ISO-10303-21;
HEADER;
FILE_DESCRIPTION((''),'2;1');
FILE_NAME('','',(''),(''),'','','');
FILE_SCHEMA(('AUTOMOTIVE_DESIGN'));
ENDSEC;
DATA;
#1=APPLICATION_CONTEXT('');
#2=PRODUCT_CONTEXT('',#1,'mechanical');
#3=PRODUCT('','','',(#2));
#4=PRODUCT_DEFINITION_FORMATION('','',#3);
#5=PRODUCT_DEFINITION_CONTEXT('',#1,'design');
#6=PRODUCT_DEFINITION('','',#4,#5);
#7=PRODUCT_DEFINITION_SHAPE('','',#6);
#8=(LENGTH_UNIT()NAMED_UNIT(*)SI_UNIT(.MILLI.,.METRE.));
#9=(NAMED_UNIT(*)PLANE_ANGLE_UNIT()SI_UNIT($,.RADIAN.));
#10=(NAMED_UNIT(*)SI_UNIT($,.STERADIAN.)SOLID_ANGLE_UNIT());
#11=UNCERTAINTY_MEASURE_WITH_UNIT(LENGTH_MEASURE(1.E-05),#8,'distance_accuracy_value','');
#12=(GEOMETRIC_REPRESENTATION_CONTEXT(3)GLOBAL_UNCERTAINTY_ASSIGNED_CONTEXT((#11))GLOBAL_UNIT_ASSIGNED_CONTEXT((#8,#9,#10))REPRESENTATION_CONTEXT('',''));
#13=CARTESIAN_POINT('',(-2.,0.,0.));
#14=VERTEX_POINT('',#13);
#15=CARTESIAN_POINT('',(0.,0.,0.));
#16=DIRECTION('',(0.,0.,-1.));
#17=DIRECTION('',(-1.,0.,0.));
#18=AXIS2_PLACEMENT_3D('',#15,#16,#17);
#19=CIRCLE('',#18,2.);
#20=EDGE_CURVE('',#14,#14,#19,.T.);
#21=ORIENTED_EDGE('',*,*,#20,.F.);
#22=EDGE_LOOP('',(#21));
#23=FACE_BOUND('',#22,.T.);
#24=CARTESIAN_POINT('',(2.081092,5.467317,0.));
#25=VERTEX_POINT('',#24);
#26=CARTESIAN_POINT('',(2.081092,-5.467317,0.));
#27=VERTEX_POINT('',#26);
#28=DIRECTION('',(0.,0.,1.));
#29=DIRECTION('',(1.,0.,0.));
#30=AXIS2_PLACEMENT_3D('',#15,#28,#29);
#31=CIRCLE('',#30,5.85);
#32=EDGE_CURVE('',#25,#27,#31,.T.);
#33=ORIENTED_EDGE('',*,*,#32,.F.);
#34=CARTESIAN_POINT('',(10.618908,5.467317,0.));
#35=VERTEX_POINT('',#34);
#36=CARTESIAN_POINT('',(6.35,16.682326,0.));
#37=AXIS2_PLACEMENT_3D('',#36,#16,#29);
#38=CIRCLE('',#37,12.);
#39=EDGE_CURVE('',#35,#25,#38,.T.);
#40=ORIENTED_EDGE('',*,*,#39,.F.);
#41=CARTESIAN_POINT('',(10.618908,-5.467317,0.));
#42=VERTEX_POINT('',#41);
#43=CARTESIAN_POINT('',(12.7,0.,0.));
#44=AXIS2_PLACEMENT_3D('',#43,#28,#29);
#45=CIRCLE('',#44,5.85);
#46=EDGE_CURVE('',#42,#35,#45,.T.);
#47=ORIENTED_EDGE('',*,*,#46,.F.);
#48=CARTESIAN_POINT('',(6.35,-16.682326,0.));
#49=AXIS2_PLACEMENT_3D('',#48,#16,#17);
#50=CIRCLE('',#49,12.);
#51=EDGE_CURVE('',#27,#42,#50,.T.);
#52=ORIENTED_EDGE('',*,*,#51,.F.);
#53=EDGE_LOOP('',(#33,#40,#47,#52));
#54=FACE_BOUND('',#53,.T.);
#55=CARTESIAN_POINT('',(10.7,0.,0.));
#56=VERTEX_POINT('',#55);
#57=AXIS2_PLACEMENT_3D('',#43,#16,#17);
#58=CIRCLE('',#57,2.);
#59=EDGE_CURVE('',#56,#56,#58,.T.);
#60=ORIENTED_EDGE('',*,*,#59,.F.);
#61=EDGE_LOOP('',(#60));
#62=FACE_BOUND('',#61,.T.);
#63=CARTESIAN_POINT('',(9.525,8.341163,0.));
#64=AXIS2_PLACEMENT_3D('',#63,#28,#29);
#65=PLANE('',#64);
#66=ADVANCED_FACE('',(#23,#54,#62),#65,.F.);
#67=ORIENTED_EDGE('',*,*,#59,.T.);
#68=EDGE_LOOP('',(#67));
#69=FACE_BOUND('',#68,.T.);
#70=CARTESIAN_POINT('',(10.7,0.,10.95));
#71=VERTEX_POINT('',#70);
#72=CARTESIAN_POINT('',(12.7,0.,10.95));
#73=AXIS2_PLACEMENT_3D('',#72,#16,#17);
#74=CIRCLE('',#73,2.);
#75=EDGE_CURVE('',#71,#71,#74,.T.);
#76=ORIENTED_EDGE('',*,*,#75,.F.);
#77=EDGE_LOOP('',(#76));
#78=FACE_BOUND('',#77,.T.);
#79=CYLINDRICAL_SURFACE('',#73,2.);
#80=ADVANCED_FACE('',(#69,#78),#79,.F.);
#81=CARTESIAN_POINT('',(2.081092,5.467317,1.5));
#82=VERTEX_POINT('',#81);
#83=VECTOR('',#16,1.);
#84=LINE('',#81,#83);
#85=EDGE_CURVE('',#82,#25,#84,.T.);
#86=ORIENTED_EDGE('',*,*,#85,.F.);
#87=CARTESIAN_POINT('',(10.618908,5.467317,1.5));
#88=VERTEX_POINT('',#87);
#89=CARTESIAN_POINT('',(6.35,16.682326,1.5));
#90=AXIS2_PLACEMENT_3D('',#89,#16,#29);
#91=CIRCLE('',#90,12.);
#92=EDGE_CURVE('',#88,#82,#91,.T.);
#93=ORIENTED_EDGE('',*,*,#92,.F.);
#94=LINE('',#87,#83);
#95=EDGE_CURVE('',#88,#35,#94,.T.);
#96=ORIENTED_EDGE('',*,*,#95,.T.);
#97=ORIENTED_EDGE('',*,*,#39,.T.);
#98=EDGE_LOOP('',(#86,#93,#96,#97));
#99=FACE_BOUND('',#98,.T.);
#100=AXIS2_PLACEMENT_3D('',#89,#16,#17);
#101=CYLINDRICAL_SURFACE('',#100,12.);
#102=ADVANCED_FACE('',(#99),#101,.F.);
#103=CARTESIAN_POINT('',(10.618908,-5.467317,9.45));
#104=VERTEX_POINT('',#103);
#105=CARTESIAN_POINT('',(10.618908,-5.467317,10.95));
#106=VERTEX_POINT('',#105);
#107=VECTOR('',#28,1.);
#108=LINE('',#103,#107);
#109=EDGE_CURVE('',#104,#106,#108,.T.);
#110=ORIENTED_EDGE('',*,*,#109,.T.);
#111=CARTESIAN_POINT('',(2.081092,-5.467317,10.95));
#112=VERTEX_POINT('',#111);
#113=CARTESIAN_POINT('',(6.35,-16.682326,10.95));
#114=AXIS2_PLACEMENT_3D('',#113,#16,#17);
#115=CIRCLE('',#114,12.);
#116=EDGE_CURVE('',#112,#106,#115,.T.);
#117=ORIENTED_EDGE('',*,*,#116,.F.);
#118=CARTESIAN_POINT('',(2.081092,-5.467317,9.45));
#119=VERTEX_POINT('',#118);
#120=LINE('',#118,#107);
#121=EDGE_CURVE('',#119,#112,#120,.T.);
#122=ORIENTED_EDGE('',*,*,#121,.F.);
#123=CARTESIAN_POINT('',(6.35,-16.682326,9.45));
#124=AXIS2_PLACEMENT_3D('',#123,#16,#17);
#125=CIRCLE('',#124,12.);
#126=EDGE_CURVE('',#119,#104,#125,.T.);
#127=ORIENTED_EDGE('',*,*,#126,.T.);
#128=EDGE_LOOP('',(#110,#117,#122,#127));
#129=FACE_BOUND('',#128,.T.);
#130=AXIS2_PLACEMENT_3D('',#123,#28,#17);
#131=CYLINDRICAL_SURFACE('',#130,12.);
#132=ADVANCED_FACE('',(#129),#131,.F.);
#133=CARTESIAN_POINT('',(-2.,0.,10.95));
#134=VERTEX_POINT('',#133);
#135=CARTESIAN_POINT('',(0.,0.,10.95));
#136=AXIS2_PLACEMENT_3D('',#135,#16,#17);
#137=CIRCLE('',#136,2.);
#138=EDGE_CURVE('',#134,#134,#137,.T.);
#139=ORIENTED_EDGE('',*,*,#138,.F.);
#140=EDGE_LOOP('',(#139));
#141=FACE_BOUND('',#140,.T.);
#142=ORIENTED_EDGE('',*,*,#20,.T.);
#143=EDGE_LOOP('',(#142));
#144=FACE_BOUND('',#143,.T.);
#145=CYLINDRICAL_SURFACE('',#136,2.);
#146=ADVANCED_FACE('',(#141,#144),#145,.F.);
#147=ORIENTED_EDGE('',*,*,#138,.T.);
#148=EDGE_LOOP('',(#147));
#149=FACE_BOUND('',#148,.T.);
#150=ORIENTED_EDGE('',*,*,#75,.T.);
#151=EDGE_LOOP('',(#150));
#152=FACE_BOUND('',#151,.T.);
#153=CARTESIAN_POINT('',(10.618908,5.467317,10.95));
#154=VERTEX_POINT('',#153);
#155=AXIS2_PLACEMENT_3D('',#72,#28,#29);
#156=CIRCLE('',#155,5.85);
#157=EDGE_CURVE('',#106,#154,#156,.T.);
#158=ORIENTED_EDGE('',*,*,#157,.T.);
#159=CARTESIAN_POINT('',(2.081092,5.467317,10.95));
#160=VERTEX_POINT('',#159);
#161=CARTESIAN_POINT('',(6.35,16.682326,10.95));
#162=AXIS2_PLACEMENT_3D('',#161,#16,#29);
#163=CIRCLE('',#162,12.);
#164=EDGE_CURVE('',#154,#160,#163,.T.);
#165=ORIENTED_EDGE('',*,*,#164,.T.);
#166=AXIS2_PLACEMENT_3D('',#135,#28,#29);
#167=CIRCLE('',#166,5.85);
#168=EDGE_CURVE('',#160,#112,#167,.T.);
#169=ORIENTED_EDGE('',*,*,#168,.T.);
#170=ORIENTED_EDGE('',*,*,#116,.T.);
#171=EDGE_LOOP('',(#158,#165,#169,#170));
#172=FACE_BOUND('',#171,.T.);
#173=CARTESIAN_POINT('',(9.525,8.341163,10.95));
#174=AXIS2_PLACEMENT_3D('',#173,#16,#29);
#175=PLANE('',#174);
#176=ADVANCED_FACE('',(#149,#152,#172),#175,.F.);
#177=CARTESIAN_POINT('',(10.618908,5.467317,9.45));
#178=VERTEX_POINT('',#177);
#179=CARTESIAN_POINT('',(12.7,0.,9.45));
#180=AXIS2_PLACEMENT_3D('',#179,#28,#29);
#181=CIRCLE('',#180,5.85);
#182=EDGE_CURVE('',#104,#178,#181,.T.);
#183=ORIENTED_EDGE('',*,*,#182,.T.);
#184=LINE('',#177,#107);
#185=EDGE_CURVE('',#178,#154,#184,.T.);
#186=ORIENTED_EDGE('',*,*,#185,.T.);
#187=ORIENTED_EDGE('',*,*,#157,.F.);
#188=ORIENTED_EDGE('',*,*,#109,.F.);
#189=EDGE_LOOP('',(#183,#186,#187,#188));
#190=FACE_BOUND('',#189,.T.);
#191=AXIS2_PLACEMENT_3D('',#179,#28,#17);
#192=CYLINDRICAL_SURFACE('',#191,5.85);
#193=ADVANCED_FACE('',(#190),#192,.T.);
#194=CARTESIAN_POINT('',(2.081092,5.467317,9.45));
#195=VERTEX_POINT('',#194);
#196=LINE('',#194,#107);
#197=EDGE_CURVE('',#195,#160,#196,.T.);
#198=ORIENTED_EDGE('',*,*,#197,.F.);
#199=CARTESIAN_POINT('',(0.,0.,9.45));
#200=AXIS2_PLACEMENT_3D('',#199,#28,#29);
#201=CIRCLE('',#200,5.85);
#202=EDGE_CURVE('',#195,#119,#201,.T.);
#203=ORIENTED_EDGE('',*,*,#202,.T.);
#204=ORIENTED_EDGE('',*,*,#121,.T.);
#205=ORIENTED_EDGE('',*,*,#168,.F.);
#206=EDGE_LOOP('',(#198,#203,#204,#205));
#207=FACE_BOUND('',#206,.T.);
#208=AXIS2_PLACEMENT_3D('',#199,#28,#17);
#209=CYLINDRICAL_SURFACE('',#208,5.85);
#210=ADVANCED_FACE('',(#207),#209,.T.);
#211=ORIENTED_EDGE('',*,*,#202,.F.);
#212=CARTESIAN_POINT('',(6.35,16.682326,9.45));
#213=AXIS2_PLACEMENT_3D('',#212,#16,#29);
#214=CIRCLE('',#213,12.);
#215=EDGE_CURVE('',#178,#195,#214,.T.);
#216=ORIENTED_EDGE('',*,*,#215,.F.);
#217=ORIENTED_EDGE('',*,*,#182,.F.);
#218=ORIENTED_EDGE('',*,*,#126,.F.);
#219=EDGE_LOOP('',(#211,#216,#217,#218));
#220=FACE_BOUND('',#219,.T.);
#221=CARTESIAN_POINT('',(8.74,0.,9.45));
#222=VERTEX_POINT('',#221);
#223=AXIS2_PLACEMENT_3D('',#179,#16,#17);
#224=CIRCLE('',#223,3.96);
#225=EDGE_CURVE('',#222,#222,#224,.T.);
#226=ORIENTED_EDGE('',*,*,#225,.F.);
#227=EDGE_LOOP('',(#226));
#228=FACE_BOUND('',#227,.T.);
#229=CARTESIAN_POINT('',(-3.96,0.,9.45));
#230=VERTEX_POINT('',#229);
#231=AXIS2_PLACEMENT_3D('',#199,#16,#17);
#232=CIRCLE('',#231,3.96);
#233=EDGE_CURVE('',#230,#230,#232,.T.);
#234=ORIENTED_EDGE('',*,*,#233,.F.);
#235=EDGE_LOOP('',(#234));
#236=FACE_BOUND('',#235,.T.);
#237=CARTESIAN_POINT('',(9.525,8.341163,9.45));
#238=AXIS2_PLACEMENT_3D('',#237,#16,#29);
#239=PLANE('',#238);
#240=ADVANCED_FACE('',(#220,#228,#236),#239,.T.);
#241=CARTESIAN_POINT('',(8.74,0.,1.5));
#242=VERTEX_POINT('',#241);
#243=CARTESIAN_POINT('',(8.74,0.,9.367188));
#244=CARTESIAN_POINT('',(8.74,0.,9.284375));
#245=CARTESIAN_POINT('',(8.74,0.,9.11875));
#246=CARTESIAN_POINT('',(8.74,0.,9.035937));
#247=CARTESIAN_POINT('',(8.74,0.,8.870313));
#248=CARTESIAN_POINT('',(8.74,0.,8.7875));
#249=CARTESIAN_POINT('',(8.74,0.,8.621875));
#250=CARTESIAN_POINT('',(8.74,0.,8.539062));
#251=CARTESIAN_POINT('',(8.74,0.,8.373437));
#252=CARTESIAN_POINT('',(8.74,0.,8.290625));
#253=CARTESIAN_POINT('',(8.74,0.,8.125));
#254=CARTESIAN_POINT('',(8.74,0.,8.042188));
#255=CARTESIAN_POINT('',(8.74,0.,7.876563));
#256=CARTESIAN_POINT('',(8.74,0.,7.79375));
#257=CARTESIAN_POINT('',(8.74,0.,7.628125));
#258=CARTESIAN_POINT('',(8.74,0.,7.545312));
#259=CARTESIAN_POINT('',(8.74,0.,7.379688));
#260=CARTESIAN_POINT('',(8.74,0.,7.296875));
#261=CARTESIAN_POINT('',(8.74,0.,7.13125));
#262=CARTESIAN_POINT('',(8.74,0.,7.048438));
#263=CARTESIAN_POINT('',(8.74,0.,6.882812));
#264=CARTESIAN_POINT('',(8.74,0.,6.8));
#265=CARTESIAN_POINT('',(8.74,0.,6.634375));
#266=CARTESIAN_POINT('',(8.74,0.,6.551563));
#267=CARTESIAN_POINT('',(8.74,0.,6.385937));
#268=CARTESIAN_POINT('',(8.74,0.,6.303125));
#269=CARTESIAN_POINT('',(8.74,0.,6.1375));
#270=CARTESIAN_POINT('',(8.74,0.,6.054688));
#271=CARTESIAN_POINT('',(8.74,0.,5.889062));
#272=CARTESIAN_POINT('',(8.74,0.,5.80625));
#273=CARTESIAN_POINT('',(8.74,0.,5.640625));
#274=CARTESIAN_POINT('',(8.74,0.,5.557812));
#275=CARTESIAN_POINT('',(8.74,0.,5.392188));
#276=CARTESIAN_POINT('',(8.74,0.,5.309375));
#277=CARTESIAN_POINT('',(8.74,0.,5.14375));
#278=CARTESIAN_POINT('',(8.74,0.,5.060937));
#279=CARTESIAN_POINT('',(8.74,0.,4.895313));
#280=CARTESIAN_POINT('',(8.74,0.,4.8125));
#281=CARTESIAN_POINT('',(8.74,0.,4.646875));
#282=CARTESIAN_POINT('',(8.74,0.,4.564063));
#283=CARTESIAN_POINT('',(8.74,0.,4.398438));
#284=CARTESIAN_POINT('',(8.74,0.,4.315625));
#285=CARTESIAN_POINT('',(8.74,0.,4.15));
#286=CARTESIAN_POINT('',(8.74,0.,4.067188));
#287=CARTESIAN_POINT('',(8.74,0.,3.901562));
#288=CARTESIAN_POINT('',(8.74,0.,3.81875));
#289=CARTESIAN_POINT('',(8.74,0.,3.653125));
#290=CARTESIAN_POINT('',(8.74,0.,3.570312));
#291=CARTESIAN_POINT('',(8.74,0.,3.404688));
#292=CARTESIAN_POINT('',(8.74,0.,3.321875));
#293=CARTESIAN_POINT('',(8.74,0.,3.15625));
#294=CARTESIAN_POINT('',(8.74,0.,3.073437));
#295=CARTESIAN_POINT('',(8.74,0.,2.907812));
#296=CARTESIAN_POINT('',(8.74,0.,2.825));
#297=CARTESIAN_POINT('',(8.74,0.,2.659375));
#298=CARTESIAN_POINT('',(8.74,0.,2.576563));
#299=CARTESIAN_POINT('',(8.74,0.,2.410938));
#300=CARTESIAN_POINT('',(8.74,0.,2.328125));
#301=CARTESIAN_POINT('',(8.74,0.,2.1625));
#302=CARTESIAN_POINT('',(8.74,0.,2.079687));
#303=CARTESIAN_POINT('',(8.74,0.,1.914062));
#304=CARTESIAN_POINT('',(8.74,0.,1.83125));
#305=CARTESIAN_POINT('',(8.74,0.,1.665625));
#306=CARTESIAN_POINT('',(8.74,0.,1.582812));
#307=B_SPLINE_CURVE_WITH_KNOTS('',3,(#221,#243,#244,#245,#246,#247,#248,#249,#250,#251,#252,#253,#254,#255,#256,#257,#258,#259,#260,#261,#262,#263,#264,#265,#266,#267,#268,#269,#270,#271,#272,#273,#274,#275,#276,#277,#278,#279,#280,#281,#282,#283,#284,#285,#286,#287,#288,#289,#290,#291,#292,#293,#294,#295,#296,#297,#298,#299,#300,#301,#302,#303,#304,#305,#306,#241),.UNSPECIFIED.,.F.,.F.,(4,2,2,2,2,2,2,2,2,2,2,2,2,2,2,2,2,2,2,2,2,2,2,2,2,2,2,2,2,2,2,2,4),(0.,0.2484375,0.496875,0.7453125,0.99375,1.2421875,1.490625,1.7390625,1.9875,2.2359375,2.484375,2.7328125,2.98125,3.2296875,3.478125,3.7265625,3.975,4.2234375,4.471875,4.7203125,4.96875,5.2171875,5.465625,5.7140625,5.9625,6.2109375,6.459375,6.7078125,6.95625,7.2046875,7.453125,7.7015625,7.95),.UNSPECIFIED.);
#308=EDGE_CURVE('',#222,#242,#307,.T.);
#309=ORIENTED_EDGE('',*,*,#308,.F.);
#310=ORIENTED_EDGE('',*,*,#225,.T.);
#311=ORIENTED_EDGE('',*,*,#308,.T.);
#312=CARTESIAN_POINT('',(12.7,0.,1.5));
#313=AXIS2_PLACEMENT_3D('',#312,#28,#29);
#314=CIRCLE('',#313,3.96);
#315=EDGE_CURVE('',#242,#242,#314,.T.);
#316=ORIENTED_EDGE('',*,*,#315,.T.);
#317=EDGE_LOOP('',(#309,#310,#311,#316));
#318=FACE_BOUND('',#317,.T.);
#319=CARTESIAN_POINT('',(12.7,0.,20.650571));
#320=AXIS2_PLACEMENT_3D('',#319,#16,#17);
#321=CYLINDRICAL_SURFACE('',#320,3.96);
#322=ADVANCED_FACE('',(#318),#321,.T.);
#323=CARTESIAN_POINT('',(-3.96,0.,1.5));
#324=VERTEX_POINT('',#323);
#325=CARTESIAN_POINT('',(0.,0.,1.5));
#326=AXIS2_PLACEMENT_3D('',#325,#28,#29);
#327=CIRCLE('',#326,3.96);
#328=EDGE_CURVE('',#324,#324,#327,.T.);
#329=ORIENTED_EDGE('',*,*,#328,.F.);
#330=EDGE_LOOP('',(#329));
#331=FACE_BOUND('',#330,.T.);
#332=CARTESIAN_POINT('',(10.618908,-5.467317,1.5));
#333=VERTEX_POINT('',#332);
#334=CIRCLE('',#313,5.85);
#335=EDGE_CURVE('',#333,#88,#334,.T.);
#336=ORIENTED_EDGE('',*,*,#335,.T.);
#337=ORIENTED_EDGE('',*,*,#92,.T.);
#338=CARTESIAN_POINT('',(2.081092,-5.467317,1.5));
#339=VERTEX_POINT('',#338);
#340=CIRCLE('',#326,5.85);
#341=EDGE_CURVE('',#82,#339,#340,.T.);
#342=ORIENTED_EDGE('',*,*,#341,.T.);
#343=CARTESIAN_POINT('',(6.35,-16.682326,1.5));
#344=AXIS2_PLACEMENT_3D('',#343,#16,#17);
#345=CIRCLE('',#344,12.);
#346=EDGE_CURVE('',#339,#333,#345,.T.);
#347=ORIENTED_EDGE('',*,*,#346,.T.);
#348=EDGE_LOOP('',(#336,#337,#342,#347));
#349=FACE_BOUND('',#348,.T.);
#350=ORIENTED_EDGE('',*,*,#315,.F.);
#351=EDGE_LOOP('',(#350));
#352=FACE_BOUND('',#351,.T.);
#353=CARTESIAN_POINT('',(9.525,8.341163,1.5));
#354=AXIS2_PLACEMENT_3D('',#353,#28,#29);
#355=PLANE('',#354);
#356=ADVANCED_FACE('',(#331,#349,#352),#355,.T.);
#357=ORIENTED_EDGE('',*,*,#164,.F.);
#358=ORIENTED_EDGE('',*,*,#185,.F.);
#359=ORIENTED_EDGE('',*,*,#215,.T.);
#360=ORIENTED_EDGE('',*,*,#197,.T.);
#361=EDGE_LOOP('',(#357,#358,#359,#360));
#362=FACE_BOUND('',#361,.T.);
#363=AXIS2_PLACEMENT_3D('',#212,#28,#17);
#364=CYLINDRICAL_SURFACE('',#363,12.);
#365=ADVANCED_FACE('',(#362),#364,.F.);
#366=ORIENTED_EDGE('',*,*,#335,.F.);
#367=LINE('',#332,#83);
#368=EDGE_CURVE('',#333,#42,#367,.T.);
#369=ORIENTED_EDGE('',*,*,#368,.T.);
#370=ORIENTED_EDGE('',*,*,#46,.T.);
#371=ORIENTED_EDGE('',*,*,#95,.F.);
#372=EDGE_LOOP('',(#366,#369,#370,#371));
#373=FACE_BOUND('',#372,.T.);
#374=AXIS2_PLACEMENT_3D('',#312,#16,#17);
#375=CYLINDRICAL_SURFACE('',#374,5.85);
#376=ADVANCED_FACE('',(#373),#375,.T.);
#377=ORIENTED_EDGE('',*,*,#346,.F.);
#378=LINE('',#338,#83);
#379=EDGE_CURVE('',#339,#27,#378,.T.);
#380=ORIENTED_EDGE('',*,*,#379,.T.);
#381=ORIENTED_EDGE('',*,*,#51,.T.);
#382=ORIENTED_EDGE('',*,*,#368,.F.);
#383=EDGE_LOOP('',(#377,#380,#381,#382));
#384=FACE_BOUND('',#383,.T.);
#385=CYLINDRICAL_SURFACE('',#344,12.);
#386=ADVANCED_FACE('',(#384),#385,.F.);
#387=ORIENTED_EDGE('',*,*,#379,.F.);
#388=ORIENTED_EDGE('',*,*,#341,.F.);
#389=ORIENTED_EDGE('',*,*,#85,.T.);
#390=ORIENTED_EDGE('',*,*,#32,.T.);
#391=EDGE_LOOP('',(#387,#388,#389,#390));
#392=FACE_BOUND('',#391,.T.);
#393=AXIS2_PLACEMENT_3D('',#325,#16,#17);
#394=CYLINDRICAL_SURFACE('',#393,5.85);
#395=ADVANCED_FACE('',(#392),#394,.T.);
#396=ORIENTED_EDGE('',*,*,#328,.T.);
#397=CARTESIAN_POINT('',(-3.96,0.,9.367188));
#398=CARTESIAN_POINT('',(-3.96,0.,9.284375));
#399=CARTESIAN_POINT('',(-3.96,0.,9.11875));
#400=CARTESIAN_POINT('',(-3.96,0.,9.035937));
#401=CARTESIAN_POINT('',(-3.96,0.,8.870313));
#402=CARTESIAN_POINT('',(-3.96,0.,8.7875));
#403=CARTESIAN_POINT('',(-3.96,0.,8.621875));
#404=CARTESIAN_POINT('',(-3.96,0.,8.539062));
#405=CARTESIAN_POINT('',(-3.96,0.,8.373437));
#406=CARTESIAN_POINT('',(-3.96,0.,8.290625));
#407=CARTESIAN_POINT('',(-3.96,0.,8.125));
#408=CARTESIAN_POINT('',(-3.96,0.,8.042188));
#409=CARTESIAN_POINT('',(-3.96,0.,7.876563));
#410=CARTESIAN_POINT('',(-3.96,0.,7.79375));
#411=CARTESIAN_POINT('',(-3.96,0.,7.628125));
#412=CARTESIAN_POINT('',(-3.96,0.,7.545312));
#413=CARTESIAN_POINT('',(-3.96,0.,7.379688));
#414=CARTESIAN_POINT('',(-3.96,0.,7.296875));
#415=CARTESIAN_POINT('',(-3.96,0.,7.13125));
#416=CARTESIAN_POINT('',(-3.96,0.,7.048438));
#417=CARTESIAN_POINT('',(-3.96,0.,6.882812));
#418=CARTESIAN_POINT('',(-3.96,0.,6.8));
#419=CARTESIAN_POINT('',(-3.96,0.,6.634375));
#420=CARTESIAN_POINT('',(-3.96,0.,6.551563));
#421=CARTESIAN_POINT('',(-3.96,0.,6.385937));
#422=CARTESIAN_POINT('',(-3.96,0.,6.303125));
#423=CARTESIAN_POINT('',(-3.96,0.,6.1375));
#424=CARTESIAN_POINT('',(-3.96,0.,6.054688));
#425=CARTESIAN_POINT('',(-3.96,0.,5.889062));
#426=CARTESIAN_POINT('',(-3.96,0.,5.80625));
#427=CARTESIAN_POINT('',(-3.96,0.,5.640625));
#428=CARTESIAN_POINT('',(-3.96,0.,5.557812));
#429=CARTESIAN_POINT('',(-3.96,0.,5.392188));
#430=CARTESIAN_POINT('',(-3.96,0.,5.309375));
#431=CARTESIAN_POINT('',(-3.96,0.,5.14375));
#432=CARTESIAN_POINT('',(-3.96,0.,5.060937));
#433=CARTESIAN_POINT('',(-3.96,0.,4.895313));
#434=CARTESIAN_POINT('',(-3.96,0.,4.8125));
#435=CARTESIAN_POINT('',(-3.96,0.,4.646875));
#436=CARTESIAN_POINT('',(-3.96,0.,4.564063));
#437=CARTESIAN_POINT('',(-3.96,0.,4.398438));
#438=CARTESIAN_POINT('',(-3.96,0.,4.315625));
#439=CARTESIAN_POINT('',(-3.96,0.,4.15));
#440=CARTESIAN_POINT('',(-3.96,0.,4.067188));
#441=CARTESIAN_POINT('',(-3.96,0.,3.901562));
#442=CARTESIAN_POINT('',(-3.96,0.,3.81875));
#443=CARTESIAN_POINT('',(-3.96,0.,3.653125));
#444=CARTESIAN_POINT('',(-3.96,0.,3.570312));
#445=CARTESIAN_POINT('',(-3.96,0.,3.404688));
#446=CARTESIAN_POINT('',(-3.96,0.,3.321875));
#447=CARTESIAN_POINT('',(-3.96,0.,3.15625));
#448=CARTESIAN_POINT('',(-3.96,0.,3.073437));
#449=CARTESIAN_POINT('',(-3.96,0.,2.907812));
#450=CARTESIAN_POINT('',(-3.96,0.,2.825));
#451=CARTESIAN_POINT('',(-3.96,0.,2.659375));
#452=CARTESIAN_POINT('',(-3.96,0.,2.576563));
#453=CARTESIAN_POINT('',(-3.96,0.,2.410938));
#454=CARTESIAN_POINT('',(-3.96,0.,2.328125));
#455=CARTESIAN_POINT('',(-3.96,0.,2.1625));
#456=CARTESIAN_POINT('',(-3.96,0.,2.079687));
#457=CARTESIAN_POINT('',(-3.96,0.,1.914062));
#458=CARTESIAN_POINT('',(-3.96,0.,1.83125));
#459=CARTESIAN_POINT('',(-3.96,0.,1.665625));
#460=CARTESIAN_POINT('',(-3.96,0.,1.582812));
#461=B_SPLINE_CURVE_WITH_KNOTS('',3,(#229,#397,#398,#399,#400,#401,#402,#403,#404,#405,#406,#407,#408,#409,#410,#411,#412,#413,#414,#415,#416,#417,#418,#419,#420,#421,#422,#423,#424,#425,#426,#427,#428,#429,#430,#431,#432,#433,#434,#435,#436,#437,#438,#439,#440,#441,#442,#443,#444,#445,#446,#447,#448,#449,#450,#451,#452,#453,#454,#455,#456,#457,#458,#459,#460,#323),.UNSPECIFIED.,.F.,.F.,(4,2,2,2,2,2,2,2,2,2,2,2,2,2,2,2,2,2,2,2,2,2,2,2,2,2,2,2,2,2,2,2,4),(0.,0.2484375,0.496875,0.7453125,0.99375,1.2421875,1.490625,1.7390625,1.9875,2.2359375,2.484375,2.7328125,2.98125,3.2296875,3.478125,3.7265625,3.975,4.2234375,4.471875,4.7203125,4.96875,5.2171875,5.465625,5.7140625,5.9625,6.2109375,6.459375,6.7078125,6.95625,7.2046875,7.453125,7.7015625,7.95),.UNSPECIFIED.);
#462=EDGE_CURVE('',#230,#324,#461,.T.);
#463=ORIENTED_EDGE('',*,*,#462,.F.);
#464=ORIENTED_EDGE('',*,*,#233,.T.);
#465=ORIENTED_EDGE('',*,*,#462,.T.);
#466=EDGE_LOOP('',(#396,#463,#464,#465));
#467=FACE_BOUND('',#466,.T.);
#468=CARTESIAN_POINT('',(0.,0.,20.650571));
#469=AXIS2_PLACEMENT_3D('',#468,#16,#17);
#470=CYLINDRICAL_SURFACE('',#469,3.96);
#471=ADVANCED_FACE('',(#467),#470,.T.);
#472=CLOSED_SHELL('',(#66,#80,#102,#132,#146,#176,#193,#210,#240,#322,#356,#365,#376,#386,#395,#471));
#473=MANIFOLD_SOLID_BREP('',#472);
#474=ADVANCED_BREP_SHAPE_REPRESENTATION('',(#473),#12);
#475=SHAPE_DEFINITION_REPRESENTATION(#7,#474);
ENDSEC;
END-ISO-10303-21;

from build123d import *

# Parameters (mm, degrees)
BOSS_EXTRUDE1_DEPTH = 1.5
SKETCH2_R           = 3.96
BOSS_EXTRUDE2_DEPTH = 7.95
SKETCH3_R           = 2
CUT_EXTRUDE1_DEPTH  = 23.321010282


with BuildPart() as part:
    # Sketch1 → Boss-Extrude1 (new body)
    with BuildSketch(Plane.XY):
        with BuildLine():
            ThreePointArc((2.081092437, 5.467316917), (-5.85, 0), (2.081092437, -5.467316917))
            ThreePointArc((2.081092437, -5.467316917), (6.35, -4.682325977), (10.618907563, -5.467316917))
            ThreePointArc((10.618907563, -5.467316917), (18.55, 0), (10.618907563, 5.467316917))
            ThreePointArc((10.618907563, 5.467316917), (6.35, 4.682325977), (2.081092437, 5.467316917))
        make_face()
    extrude(amount=BOSS_EXTRUDE1_DEPTH)


with BuildPart() as body_2:
    # Mirror2: mirrored copy
    add(part.part.mirror(Plane.XY.offset(5.475)))


with BuildPart() as part_1:
    add(part.part)

    add(body_2.part)  # Boss-Extrude2 merges body 2
    # Sketch2 → Boss-Extrude2 (add)
    with BuildSketch(Plane.XY.offset(1.5)):
        with Locations(Location((0, 0, 0), (0, 0, 180))):
            Circle(SKETCH2_R)
        with Locations(Location((12.7, 0, 0), (0, 0, 180))):
            Circle(SKETCH2_R)
    extrude(amount=BOSS_EXTRUDE2_DEPTH)

    # Sketch3 → Cut-Extrude1 (cut, through all)
    with BuildSketch(Plane(origin=(0, 0, 0), x_dir=(-1, 0, 0), z_dir=(0, 0, -1))):
        Circle(SKETCH3_R)
        with Locations((-12.7, 0)):
            Circle(SKETCH3_R)
    extrude(amount=-CUT_EXTRUDE1_DEPTH, mode=Mode.SUBTRACT)


solid = part_1.part
